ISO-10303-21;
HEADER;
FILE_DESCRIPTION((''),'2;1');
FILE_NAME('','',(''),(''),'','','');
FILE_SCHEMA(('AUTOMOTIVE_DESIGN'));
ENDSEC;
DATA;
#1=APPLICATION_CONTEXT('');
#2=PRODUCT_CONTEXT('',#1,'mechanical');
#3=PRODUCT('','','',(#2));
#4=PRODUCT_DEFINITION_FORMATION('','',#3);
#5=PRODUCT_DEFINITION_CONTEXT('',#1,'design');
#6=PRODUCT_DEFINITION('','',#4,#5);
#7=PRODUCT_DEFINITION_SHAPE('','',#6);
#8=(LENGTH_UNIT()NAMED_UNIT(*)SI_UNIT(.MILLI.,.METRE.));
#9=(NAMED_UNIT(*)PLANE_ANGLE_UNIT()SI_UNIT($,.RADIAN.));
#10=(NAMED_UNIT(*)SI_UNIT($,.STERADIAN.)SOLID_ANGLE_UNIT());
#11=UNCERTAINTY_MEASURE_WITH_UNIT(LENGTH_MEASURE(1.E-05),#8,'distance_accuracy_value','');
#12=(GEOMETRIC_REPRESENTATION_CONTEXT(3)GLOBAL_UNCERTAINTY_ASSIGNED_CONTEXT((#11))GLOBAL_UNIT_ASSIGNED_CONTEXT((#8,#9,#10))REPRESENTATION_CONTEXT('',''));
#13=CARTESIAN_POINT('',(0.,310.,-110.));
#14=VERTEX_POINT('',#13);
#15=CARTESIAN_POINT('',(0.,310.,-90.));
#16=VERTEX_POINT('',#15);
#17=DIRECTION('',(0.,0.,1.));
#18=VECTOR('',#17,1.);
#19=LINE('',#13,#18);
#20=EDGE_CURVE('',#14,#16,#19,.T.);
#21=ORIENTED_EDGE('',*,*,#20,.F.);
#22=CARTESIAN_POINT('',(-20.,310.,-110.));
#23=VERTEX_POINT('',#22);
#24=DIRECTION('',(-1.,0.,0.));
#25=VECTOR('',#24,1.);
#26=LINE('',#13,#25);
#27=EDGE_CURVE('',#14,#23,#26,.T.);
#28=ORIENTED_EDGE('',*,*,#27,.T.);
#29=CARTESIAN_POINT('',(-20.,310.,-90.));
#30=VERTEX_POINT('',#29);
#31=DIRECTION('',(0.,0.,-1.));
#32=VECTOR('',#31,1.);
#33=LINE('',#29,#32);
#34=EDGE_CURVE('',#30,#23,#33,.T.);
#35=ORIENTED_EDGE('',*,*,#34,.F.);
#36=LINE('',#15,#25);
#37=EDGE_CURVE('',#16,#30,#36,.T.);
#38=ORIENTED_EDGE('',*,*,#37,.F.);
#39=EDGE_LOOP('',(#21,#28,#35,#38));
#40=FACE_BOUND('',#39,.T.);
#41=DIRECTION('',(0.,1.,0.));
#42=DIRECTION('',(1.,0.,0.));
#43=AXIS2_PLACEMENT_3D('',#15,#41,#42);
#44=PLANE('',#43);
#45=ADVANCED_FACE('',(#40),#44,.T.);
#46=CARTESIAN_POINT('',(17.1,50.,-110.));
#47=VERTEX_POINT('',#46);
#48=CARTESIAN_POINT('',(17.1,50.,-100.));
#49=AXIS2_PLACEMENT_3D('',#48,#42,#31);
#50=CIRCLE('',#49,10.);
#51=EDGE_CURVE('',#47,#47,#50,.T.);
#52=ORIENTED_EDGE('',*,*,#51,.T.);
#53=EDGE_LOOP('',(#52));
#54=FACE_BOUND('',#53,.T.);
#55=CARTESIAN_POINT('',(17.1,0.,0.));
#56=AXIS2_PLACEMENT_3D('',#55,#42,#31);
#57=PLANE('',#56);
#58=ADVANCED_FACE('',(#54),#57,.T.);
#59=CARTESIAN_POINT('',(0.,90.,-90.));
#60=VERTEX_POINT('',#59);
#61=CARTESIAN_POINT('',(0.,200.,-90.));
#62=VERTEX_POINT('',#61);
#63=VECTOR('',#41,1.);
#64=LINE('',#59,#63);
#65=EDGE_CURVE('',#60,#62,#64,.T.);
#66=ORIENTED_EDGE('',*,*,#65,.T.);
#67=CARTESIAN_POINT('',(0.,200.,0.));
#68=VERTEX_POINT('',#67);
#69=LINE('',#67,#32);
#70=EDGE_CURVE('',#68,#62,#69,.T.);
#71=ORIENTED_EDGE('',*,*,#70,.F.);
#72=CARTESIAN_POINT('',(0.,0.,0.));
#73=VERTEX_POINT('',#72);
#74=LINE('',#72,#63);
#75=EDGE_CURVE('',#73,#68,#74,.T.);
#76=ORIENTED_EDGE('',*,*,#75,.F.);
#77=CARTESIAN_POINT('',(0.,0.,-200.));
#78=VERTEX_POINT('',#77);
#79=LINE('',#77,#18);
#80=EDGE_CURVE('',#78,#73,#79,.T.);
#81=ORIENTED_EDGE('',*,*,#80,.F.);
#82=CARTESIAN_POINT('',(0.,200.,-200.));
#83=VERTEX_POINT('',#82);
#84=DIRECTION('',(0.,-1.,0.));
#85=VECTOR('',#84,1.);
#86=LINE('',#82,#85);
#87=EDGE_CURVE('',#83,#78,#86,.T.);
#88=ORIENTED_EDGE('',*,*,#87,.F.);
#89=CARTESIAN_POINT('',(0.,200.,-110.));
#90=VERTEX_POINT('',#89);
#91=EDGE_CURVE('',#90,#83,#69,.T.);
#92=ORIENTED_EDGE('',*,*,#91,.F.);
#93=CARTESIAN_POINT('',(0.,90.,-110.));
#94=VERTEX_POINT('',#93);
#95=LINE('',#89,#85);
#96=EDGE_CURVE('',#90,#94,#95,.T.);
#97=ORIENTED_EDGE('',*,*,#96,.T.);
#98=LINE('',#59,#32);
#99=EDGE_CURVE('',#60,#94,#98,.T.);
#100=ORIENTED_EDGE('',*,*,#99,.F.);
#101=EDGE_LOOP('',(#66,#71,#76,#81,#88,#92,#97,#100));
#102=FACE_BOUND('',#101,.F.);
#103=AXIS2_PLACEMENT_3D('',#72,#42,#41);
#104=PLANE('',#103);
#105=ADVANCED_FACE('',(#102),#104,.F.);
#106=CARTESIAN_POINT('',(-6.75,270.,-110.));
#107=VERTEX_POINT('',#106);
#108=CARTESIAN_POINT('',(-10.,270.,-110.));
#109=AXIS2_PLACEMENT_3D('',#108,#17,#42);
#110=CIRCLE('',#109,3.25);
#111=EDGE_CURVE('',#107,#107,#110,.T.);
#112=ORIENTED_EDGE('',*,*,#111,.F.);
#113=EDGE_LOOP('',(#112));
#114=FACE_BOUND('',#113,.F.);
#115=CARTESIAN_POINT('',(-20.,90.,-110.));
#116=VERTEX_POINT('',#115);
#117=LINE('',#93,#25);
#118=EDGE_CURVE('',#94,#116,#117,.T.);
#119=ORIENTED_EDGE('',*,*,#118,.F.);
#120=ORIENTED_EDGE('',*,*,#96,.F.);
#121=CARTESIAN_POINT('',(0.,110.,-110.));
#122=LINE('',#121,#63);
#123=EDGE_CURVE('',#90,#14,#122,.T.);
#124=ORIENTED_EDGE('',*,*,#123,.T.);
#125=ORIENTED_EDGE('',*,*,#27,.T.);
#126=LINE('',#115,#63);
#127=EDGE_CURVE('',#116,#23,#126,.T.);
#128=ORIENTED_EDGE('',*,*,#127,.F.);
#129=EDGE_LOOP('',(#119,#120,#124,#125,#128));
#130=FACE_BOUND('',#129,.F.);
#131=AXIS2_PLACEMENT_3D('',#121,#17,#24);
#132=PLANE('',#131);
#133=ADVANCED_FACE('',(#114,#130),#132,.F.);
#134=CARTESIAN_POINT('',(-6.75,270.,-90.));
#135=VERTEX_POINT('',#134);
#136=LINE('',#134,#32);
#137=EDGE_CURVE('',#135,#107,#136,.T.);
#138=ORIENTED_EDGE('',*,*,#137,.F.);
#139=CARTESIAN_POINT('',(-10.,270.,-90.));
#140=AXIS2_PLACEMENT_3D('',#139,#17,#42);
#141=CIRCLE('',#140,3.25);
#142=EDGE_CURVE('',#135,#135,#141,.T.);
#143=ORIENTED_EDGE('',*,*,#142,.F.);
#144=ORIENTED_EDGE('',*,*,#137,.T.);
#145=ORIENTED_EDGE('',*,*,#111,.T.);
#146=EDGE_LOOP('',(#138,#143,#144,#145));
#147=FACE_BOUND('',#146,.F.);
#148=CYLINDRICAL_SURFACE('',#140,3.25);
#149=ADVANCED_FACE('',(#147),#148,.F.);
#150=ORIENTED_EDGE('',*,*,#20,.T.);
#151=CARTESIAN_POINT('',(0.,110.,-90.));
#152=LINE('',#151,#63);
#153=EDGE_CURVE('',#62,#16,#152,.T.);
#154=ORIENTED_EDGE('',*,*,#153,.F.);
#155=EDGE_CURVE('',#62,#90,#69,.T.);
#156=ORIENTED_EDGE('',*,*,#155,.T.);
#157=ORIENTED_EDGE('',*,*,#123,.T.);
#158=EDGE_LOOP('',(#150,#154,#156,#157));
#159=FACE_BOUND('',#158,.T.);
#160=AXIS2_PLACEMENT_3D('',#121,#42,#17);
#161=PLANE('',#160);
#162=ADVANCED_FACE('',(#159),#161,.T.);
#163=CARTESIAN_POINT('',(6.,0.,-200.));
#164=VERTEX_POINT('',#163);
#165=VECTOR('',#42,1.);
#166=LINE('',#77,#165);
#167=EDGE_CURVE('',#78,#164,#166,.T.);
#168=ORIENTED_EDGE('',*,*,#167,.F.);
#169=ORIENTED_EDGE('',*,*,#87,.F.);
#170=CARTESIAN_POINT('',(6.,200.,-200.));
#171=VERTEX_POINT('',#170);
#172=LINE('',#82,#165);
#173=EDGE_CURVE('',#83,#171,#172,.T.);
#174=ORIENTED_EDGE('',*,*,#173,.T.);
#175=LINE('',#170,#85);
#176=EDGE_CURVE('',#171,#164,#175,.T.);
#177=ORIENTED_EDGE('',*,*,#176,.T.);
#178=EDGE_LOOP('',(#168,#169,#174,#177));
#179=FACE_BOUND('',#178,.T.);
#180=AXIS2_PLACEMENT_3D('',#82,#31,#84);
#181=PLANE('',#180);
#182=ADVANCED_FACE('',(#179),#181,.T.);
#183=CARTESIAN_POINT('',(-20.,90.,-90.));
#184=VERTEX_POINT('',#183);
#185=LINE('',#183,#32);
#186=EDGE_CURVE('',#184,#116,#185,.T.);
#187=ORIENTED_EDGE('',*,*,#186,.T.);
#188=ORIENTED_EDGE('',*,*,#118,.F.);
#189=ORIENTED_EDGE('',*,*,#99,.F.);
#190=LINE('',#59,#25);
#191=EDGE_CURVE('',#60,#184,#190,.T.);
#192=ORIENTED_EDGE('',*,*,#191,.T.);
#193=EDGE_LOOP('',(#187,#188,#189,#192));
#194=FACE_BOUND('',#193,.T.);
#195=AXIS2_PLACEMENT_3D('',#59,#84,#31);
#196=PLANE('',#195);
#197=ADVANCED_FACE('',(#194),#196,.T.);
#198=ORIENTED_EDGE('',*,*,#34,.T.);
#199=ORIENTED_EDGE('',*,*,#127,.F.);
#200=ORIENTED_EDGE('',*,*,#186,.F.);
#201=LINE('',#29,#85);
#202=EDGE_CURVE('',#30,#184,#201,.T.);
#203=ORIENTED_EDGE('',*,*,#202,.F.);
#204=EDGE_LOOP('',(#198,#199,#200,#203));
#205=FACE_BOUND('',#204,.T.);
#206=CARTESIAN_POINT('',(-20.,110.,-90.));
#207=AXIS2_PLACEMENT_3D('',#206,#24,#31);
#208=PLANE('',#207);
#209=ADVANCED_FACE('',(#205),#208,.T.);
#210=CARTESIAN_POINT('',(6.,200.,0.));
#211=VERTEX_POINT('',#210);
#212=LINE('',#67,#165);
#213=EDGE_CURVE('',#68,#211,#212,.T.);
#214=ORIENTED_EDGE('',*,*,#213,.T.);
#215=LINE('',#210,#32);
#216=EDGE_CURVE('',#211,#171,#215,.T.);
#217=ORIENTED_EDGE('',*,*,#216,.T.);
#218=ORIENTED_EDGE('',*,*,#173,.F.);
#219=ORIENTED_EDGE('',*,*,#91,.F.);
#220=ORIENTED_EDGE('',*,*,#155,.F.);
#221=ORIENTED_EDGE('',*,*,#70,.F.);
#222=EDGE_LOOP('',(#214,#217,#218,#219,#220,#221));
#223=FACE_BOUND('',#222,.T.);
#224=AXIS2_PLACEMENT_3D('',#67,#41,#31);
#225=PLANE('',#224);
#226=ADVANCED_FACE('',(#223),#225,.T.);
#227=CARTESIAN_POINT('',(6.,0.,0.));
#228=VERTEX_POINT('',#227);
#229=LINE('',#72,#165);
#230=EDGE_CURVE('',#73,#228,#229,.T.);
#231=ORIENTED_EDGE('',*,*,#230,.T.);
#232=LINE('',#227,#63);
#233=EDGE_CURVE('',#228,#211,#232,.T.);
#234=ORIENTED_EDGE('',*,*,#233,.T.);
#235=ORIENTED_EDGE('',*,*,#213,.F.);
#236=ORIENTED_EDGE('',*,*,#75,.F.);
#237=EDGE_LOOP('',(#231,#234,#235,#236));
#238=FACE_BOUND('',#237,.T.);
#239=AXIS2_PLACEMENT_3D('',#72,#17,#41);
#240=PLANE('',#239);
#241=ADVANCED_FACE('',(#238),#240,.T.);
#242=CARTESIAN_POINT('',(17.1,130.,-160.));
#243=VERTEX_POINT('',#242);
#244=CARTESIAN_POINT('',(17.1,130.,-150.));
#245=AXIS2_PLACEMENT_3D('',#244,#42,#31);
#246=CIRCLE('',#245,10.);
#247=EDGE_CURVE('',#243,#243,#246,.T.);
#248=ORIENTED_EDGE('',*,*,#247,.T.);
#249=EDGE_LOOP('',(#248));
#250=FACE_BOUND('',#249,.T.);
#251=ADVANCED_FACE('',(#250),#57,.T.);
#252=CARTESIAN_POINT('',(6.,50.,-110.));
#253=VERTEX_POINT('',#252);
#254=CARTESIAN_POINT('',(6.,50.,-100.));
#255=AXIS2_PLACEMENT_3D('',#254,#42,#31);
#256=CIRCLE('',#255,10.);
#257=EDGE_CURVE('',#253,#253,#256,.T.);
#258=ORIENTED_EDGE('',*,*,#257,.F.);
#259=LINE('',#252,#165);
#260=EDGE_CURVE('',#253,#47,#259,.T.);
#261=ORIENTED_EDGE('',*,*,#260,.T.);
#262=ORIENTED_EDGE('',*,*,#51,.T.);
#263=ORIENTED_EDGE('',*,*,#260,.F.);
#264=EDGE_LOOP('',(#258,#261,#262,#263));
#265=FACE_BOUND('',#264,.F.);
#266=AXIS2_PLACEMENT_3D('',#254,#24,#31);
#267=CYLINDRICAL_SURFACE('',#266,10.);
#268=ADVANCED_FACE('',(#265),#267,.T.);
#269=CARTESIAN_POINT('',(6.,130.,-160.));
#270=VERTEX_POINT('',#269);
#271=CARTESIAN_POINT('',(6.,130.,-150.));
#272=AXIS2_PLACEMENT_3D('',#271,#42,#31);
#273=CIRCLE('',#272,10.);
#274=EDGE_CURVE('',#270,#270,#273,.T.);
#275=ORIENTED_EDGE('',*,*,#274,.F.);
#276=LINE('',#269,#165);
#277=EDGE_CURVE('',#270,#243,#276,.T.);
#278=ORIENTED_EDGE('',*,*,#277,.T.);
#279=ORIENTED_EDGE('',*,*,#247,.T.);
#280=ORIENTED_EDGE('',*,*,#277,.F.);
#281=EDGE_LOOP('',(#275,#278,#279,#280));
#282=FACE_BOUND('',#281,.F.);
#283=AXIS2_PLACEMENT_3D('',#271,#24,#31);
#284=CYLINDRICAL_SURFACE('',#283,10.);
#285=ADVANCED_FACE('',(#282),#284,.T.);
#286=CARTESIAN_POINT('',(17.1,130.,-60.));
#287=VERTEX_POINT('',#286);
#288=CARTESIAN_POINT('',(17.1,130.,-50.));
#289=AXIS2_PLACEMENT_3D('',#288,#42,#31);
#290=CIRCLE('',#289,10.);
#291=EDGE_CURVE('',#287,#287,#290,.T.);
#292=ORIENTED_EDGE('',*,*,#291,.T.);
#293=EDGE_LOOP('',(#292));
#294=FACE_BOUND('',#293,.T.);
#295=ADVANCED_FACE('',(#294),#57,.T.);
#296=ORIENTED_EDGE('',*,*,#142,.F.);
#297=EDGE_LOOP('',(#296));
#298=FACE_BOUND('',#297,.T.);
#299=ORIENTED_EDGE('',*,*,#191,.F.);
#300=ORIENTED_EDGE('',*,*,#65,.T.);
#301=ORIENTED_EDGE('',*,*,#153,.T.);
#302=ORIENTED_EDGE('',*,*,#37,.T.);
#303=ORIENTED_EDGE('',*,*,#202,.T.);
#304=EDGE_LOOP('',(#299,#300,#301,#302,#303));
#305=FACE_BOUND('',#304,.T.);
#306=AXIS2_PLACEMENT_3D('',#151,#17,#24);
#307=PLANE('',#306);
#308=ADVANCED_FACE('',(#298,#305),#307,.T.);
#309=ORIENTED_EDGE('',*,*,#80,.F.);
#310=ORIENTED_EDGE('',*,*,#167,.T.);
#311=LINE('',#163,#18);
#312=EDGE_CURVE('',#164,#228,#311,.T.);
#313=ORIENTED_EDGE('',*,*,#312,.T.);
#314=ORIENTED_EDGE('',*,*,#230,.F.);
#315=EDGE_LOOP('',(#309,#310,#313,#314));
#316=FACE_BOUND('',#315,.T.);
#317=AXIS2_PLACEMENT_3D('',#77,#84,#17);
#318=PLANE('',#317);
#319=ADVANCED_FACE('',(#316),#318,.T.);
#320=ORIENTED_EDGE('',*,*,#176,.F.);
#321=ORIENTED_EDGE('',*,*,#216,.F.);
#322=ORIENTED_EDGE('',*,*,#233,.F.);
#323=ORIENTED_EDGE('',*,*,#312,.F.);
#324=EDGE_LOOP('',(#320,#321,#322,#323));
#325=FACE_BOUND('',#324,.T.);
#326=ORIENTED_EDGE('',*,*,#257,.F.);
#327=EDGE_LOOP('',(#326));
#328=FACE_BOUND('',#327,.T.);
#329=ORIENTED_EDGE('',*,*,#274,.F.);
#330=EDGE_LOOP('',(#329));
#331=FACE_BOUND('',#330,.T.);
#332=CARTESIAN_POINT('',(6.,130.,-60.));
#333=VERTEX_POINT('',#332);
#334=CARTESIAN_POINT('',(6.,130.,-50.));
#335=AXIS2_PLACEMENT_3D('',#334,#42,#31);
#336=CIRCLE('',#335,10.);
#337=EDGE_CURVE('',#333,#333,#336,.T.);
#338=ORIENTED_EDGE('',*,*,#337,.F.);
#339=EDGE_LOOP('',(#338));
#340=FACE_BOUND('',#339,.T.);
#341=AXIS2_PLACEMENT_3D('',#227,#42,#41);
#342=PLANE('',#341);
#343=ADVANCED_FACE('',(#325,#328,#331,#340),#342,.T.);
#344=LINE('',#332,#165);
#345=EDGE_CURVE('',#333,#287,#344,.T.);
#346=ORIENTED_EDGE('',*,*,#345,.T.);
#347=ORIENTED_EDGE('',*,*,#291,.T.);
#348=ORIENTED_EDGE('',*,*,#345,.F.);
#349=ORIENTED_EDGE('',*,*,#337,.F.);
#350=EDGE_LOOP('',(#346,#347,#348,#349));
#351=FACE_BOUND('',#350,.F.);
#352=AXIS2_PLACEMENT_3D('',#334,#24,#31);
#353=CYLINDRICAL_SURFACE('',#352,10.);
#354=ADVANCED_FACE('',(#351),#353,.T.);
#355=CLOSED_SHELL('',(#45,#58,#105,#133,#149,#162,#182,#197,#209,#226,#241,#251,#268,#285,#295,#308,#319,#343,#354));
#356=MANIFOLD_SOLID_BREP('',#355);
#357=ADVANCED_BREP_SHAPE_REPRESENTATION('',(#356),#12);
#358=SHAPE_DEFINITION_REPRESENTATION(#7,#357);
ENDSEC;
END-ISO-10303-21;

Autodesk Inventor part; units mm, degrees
ref_plane "YZ Plane" through (0, 0, 0) normal (1, 0, 0) x (0, 1, 0)
ref_plane "XZ Plane" through (0, 0, 0) normal (0, 1, 0) x (-1, 0, 0)
ref_plane "XY Plane" through (0, 0, 0) normal (0, 0, 1) x (1, 0, 0)
sketch "Sketch1" plane through (0, 0, 0) normal (1, 0, 0) x (0, 1, 0)
  line L0 (0, 0) -> (200, 0)
  line L1 (200, 0) -> (200, -200)
  line L2 (200, -200) -> (0, -200)
  line L3 (0, -200) -> (0, 0)
  dimension "d0" = 200
  dimension "d1" = 200
extrude "Extrusion1" add sketch "Sketch1" along normal blind 6
sketch "Sketch2" plane through (6, 0, 0) normal (1, 0, 0) x (0, 0, -1)
  line L0 (0, 200) -> (0, 0) projected
  line L1 (0, 0) -> (200, 0) projected
  line L2 (200, 0) -> (200, 200) projected
  line L3 (200, 200) -> (0, 200) projected
  circle A0 centre (50, 130) radius 10
  circle A1 centre (150, 130) radius 10
  circle A2 centre (100, 50) radius 10
  dimension "d4" = 20
  dimension "d5" = 20
  dimension "d6" = 20
  dimension "d7" = 100
  dimension "d8" = 50
  dimension "d9" = 80
  dimension "d10" = 100
  dimension "d11" = 50
  dimension "d12" = 80
extrude "Extrusion2" add sketch "Sketch2" along normal blind 11.1 contours A0 | A1 | A2
sketch "Sketch3" plane through (0, 0, 0) normal (-1, 0, 0) x (0, 0, 1)
  line L0 (0, 0) -> (0, 200) projected
  line L1 (0, 200) -> (-200, 200) projected
  line L2 (-200, 200) -> (-200, 0) projected
  line L3 (-200, 0) -> (0, 0) projected
  line L4 (-110, 110) -> (-90, 110)
  line L5 (-90, 110) -> (-90, 90)
  line L6 (-90, 90) -> (-110, 90)
  line L7 (-110, 90) -> (-110, 110)
  dimension "d15" = 20
  dimension "d16" = 20
  dimension "d17" = 90
  dimension "d18" = 90
extrude "Extrusion3" add sketch "Sketch3" along normal blind 20 contours L4 L5 L6 L7
sketch "Sketch4" plane through (0, 110, -90) normal (0, 1, 0) x (1, 0, 0)
  line L0 (0, 20) -> (0, 0) projected
  line L1 (0, 20) -> (-20, 20) projected
  line L2 (-20, 0) -> (-20, 20) projected
  line L3 (0, 0) -> (-20, 0) projected
  line L4 (-20, 0) -> (0, 0)
  line L5 (0, 0) -> (0, 20)
  line L6 (0, 20) -> (-20, 20)
  line L7 (-20, 20) -> (-20, 0)
  point P0 (0, -90)
extrude "Extrusion4" add sketch "Sketch4" along normal blind 200
sketch "Sketch5" plane through (-20, 90, -90) normal (0, 0, 1) x (1, 0, 0)
  line L0 (20, 110) -> (20, 0) projected
  line L1 (20, 110) -> (20, 220) projected
  line L2 (0, 220) -> (20, 220) projected
  line L3 (0, 0) -> (0, 220) projected
  line L4 (20, 0) -> (0, 0) projected
  circle A0 centre (10, 180) radius 3.25
  point P0 (20, -90)
  dimension "d23" = 6.5
  dimension "d24" = 40
  dimension "d25" = 10
extrude "Extrusion5" cut sketch "Sketch5" against normal up to next contours A0
properties part number "Arm_Base-Rod-Rev2"
